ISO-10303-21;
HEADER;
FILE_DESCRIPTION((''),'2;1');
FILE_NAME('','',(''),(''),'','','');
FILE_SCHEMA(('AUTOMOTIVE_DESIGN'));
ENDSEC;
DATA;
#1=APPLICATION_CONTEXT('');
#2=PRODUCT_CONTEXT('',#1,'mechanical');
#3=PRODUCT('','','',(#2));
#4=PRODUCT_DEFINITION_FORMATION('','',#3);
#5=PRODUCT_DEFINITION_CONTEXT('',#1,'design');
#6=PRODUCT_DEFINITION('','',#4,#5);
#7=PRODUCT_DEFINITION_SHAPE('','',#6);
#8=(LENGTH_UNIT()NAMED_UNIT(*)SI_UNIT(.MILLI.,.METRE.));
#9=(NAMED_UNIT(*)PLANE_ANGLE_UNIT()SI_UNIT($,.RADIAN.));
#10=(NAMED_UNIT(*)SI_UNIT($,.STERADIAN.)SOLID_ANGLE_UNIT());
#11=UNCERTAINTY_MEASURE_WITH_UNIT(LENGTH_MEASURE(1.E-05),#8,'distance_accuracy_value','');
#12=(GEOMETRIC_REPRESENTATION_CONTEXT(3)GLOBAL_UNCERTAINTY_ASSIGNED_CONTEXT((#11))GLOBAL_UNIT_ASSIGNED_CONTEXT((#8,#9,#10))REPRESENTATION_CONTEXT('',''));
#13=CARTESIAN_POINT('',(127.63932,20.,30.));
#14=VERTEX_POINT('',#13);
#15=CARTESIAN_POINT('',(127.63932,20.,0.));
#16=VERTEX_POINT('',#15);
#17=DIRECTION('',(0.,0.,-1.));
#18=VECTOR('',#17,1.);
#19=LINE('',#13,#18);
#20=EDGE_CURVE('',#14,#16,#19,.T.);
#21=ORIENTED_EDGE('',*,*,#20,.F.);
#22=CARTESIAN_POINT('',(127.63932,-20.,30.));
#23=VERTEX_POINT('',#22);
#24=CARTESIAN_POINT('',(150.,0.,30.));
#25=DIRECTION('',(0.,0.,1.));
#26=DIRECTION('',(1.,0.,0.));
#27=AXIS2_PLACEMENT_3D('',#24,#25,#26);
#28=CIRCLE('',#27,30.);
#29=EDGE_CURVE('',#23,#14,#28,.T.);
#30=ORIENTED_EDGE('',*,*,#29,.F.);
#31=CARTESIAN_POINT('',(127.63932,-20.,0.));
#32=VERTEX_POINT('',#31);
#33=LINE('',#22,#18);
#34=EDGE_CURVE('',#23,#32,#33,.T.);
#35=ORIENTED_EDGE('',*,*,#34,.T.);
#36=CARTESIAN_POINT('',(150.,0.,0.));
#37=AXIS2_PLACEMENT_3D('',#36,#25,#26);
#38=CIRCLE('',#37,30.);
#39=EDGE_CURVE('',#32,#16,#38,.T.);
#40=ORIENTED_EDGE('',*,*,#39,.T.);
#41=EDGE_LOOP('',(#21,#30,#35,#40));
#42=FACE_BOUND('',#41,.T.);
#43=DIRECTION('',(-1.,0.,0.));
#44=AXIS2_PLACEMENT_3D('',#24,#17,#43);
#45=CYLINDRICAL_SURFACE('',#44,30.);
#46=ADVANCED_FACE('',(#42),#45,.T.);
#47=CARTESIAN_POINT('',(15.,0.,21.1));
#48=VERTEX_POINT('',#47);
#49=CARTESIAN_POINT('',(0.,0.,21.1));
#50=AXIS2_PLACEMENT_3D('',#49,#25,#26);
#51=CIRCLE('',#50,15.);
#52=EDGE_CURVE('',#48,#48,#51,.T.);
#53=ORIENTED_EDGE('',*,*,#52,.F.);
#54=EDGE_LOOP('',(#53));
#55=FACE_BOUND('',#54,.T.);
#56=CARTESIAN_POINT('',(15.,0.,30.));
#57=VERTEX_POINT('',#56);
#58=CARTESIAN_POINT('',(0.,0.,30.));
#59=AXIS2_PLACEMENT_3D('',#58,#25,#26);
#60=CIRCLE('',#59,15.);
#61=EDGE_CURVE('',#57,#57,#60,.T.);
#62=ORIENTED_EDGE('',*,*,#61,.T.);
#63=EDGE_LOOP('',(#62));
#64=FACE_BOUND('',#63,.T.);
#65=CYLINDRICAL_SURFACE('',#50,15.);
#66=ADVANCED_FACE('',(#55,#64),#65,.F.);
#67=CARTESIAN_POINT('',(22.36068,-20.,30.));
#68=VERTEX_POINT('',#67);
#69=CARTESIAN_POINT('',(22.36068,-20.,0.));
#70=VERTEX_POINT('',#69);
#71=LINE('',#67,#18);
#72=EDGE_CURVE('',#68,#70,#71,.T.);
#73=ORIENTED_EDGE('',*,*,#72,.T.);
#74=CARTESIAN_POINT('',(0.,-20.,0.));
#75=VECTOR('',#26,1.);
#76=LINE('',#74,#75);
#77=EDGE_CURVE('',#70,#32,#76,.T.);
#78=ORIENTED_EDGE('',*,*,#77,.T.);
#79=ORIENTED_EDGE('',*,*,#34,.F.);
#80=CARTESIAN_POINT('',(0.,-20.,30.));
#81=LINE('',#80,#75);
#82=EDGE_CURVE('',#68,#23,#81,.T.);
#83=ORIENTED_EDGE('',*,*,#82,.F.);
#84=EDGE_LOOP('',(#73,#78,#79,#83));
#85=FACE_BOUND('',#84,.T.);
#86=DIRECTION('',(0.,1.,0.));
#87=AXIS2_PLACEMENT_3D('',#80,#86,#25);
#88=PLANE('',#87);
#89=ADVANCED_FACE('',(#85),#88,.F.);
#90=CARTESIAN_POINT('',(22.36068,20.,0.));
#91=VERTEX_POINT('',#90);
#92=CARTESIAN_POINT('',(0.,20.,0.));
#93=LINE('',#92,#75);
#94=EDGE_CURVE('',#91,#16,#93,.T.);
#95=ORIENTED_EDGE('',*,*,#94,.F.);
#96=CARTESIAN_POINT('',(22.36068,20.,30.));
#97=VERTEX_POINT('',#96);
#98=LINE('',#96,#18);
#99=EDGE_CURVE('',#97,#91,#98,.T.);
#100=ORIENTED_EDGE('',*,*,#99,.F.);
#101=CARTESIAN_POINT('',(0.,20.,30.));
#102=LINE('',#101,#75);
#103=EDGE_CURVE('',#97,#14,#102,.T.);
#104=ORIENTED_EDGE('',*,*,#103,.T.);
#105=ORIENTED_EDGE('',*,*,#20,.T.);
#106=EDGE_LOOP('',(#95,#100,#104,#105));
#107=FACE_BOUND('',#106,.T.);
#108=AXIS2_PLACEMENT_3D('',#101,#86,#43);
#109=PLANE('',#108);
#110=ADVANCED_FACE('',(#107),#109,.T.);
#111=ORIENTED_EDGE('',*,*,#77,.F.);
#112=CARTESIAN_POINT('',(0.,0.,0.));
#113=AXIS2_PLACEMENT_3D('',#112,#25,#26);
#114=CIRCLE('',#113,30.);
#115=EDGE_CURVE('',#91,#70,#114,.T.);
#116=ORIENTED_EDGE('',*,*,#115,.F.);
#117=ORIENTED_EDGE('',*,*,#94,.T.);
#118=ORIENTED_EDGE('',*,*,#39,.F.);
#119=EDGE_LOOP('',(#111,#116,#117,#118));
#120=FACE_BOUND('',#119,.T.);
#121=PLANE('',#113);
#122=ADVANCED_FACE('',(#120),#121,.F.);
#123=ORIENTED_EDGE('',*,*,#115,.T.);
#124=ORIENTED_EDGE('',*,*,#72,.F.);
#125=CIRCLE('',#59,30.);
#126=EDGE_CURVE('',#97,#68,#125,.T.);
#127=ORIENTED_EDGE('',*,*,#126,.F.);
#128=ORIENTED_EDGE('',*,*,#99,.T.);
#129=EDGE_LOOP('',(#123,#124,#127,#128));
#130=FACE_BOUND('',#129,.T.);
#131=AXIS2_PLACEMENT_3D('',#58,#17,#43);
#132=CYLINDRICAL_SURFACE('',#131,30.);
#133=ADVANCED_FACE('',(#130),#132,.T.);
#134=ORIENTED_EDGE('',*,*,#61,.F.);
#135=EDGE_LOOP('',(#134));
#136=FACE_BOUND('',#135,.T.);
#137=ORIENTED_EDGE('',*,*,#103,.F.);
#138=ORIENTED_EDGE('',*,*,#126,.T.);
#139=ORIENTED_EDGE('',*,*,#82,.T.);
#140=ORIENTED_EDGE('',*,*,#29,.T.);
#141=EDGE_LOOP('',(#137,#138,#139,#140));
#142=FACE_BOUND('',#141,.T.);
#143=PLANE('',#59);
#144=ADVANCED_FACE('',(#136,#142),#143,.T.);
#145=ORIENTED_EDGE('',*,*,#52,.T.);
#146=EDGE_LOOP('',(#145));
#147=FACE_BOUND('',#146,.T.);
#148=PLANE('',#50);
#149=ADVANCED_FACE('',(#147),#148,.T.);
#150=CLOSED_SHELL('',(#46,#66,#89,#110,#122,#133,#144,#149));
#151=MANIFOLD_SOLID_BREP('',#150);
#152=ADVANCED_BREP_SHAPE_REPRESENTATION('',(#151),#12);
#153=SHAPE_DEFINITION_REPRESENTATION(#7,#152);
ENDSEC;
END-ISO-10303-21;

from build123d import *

# Parameters (mm, degrees)
SKETCH1_R           = 30
SKETCH1_W           = 150
SKETCH1_H           = 40
BOSS_EXTRUDE1_DEPTH = 30
SKETCH2_R           = 15
CUT_EXTRUDE1_DEPTH  = 8.9


with BuildPart() as part:
    # Sketch1 → Boss-Extrude1 (new body)
    with BuildSketch(Plane.XY):
        Circle(SKETCH1_R)
        with Locations((150, 0)):
            Circle(SKETCH1_R)
        with Locations((75, 0)):
            Rectangle(SKETCH1_W, SKETCH1_H)
    extrude(amount=BOSS_EXTRUDE1_DEPTH)

    # Sketch2 → Cut-Extrude1 (cut)
    with BuildSketch(Plane.XY.offset(30)):
        Circle(SKETCH2_R)
    extrude(amount=-CUT_EXTRUDE1_DEPTH, mode=Mode.SUBTRACT)


solid = part.part
